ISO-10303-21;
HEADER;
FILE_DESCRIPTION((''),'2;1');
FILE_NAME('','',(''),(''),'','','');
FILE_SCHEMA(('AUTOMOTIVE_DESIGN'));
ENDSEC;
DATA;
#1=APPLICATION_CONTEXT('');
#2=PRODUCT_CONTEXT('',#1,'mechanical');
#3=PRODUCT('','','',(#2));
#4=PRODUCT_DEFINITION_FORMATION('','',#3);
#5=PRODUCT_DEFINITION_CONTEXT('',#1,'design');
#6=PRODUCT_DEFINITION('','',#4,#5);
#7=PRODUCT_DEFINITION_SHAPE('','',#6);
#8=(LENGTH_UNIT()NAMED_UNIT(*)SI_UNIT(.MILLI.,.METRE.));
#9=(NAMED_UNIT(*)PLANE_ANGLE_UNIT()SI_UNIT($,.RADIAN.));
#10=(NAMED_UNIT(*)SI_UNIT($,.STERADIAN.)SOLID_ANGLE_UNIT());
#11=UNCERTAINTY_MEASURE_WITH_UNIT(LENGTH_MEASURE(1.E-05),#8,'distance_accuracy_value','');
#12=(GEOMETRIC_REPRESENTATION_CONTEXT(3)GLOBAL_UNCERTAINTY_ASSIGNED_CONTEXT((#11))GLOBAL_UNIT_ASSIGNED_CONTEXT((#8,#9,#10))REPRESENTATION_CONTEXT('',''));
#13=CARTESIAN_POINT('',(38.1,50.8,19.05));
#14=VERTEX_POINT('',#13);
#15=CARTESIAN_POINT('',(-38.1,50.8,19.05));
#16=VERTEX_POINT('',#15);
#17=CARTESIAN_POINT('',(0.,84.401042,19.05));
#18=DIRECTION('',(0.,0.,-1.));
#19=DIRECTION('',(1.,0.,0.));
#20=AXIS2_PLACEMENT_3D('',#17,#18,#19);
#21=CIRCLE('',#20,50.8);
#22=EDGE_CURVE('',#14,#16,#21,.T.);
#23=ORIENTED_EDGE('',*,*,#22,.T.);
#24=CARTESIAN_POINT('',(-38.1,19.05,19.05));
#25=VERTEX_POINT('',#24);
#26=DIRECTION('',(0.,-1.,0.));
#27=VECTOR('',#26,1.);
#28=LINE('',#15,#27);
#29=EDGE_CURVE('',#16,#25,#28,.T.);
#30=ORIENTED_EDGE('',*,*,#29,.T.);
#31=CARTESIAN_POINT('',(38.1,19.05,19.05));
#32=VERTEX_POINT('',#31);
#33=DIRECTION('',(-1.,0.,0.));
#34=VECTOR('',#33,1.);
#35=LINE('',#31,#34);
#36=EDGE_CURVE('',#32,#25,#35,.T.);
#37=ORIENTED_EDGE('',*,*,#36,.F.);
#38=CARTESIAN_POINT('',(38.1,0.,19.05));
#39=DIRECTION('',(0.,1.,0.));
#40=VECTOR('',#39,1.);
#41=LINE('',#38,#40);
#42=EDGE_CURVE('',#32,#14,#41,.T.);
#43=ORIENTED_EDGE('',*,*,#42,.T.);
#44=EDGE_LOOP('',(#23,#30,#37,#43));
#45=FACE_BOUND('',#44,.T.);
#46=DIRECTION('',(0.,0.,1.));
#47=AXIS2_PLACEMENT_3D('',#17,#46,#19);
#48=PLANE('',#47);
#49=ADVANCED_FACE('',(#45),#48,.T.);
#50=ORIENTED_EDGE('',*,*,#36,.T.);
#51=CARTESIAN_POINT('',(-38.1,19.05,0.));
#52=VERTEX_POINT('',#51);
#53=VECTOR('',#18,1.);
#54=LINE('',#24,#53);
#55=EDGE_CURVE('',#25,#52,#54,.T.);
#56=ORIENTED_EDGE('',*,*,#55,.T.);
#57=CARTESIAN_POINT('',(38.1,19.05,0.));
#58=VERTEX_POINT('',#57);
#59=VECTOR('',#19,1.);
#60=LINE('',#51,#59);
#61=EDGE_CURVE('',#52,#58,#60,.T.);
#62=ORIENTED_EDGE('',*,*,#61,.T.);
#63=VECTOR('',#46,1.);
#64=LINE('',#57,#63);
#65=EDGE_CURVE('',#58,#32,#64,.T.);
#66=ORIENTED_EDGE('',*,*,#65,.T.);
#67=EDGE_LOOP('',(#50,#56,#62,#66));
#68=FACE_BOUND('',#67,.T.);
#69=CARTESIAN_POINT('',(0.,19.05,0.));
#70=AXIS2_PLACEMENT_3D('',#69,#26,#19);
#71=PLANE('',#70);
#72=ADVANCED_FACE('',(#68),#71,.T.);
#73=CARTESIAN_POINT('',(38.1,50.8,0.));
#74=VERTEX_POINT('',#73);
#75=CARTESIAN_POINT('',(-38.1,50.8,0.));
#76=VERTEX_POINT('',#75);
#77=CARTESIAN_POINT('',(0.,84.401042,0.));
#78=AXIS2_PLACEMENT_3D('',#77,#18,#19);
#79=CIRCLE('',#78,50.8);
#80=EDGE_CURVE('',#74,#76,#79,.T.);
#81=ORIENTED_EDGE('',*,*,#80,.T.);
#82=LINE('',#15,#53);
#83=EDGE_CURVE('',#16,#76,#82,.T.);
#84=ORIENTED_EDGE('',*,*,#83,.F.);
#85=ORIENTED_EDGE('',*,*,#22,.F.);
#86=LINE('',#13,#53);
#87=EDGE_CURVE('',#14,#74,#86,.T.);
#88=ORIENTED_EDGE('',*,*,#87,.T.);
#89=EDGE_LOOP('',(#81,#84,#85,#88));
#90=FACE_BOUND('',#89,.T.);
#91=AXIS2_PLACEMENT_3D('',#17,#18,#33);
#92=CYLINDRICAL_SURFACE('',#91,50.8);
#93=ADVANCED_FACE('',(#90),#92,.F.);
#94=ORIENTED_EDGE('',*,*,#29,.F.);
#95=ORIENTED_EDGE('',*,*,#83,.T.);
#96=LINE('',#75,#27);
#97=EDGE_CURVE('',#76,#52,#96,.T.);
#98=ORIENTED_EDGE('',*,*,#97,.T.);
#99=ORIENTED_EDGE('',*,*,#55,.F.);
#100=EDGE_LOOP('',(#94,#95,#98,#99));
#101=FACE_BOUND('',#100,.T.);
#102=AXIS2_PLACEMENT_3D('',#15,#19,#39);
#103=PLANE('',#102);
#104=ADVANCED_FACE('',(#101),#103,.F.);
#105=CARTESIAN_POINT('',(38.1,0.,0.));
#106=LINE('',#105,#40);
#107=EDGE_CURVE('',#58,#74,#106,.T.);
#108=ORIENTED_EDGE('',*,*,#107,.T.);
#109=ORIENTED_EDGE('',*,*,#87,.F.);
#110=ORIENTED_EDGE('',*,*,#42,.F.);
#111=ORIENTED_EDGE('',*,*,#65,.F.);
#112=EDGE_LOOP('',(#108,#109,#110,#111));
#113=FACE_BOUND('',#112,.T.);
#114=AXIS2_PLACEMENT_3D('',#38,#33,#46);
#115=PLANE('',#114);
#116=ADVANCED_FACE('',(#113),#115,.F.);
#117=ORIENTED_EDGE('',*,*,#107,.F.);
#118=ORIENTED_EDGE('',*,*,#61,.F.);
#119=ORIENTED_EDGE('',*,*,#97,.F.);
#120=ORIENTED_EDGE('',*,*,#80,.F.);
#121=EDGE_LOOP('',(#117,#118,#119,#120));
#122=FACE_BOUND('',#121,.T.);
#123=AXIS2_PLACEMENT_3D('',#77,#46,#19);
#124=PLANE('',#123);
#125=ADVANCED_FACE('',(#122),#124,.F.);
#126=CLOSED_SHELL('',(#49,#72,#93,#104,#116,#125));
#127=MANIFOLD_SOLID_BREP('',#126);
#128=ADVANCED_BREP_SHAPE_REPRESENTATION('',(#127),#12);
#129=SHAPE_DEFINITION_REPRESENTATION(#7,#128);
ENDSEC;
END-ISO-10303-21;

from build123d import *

# Parameters (mm, degrees)
BOSS_EXTRUDE1_DEPTH = 19.05
SKETCH2_W           = 76.2
SKETCH2_H           = 19.05
CUT_EXTRUDE1_DEPTH  = 19.05


with BuildPart() as part:
    # Sketch1 → Boss-Extrude1 (new body)
    with BuildSketch(Plane.XY):
        with BuildLine():
            Line((-38.1, 50.8), (-38.1, 0))
            Line((-38.1, 0), (38.1, 0))
            Line((38.1, 0), (38.1, 50.8))
            ThreePointArc((38.1, 50.8), (0, 33.601041651), (-38.1, 50.8))
        make_face()
    extrude(amount=BOSS_EXTRUDE1_DEPTH)

    # Sketch2 → Cut-Extrude1 (cut)
    with BuildSketch(Plane.XZ):
        with Locations((0, 9.525)):
            Rectangle(SKETCH2_W, SKETCH2_H)
    extrude(amount=-CUT_EXTRUDE1_DEPTH, mode=Mode.SUBTRACT)


solid = part.part
